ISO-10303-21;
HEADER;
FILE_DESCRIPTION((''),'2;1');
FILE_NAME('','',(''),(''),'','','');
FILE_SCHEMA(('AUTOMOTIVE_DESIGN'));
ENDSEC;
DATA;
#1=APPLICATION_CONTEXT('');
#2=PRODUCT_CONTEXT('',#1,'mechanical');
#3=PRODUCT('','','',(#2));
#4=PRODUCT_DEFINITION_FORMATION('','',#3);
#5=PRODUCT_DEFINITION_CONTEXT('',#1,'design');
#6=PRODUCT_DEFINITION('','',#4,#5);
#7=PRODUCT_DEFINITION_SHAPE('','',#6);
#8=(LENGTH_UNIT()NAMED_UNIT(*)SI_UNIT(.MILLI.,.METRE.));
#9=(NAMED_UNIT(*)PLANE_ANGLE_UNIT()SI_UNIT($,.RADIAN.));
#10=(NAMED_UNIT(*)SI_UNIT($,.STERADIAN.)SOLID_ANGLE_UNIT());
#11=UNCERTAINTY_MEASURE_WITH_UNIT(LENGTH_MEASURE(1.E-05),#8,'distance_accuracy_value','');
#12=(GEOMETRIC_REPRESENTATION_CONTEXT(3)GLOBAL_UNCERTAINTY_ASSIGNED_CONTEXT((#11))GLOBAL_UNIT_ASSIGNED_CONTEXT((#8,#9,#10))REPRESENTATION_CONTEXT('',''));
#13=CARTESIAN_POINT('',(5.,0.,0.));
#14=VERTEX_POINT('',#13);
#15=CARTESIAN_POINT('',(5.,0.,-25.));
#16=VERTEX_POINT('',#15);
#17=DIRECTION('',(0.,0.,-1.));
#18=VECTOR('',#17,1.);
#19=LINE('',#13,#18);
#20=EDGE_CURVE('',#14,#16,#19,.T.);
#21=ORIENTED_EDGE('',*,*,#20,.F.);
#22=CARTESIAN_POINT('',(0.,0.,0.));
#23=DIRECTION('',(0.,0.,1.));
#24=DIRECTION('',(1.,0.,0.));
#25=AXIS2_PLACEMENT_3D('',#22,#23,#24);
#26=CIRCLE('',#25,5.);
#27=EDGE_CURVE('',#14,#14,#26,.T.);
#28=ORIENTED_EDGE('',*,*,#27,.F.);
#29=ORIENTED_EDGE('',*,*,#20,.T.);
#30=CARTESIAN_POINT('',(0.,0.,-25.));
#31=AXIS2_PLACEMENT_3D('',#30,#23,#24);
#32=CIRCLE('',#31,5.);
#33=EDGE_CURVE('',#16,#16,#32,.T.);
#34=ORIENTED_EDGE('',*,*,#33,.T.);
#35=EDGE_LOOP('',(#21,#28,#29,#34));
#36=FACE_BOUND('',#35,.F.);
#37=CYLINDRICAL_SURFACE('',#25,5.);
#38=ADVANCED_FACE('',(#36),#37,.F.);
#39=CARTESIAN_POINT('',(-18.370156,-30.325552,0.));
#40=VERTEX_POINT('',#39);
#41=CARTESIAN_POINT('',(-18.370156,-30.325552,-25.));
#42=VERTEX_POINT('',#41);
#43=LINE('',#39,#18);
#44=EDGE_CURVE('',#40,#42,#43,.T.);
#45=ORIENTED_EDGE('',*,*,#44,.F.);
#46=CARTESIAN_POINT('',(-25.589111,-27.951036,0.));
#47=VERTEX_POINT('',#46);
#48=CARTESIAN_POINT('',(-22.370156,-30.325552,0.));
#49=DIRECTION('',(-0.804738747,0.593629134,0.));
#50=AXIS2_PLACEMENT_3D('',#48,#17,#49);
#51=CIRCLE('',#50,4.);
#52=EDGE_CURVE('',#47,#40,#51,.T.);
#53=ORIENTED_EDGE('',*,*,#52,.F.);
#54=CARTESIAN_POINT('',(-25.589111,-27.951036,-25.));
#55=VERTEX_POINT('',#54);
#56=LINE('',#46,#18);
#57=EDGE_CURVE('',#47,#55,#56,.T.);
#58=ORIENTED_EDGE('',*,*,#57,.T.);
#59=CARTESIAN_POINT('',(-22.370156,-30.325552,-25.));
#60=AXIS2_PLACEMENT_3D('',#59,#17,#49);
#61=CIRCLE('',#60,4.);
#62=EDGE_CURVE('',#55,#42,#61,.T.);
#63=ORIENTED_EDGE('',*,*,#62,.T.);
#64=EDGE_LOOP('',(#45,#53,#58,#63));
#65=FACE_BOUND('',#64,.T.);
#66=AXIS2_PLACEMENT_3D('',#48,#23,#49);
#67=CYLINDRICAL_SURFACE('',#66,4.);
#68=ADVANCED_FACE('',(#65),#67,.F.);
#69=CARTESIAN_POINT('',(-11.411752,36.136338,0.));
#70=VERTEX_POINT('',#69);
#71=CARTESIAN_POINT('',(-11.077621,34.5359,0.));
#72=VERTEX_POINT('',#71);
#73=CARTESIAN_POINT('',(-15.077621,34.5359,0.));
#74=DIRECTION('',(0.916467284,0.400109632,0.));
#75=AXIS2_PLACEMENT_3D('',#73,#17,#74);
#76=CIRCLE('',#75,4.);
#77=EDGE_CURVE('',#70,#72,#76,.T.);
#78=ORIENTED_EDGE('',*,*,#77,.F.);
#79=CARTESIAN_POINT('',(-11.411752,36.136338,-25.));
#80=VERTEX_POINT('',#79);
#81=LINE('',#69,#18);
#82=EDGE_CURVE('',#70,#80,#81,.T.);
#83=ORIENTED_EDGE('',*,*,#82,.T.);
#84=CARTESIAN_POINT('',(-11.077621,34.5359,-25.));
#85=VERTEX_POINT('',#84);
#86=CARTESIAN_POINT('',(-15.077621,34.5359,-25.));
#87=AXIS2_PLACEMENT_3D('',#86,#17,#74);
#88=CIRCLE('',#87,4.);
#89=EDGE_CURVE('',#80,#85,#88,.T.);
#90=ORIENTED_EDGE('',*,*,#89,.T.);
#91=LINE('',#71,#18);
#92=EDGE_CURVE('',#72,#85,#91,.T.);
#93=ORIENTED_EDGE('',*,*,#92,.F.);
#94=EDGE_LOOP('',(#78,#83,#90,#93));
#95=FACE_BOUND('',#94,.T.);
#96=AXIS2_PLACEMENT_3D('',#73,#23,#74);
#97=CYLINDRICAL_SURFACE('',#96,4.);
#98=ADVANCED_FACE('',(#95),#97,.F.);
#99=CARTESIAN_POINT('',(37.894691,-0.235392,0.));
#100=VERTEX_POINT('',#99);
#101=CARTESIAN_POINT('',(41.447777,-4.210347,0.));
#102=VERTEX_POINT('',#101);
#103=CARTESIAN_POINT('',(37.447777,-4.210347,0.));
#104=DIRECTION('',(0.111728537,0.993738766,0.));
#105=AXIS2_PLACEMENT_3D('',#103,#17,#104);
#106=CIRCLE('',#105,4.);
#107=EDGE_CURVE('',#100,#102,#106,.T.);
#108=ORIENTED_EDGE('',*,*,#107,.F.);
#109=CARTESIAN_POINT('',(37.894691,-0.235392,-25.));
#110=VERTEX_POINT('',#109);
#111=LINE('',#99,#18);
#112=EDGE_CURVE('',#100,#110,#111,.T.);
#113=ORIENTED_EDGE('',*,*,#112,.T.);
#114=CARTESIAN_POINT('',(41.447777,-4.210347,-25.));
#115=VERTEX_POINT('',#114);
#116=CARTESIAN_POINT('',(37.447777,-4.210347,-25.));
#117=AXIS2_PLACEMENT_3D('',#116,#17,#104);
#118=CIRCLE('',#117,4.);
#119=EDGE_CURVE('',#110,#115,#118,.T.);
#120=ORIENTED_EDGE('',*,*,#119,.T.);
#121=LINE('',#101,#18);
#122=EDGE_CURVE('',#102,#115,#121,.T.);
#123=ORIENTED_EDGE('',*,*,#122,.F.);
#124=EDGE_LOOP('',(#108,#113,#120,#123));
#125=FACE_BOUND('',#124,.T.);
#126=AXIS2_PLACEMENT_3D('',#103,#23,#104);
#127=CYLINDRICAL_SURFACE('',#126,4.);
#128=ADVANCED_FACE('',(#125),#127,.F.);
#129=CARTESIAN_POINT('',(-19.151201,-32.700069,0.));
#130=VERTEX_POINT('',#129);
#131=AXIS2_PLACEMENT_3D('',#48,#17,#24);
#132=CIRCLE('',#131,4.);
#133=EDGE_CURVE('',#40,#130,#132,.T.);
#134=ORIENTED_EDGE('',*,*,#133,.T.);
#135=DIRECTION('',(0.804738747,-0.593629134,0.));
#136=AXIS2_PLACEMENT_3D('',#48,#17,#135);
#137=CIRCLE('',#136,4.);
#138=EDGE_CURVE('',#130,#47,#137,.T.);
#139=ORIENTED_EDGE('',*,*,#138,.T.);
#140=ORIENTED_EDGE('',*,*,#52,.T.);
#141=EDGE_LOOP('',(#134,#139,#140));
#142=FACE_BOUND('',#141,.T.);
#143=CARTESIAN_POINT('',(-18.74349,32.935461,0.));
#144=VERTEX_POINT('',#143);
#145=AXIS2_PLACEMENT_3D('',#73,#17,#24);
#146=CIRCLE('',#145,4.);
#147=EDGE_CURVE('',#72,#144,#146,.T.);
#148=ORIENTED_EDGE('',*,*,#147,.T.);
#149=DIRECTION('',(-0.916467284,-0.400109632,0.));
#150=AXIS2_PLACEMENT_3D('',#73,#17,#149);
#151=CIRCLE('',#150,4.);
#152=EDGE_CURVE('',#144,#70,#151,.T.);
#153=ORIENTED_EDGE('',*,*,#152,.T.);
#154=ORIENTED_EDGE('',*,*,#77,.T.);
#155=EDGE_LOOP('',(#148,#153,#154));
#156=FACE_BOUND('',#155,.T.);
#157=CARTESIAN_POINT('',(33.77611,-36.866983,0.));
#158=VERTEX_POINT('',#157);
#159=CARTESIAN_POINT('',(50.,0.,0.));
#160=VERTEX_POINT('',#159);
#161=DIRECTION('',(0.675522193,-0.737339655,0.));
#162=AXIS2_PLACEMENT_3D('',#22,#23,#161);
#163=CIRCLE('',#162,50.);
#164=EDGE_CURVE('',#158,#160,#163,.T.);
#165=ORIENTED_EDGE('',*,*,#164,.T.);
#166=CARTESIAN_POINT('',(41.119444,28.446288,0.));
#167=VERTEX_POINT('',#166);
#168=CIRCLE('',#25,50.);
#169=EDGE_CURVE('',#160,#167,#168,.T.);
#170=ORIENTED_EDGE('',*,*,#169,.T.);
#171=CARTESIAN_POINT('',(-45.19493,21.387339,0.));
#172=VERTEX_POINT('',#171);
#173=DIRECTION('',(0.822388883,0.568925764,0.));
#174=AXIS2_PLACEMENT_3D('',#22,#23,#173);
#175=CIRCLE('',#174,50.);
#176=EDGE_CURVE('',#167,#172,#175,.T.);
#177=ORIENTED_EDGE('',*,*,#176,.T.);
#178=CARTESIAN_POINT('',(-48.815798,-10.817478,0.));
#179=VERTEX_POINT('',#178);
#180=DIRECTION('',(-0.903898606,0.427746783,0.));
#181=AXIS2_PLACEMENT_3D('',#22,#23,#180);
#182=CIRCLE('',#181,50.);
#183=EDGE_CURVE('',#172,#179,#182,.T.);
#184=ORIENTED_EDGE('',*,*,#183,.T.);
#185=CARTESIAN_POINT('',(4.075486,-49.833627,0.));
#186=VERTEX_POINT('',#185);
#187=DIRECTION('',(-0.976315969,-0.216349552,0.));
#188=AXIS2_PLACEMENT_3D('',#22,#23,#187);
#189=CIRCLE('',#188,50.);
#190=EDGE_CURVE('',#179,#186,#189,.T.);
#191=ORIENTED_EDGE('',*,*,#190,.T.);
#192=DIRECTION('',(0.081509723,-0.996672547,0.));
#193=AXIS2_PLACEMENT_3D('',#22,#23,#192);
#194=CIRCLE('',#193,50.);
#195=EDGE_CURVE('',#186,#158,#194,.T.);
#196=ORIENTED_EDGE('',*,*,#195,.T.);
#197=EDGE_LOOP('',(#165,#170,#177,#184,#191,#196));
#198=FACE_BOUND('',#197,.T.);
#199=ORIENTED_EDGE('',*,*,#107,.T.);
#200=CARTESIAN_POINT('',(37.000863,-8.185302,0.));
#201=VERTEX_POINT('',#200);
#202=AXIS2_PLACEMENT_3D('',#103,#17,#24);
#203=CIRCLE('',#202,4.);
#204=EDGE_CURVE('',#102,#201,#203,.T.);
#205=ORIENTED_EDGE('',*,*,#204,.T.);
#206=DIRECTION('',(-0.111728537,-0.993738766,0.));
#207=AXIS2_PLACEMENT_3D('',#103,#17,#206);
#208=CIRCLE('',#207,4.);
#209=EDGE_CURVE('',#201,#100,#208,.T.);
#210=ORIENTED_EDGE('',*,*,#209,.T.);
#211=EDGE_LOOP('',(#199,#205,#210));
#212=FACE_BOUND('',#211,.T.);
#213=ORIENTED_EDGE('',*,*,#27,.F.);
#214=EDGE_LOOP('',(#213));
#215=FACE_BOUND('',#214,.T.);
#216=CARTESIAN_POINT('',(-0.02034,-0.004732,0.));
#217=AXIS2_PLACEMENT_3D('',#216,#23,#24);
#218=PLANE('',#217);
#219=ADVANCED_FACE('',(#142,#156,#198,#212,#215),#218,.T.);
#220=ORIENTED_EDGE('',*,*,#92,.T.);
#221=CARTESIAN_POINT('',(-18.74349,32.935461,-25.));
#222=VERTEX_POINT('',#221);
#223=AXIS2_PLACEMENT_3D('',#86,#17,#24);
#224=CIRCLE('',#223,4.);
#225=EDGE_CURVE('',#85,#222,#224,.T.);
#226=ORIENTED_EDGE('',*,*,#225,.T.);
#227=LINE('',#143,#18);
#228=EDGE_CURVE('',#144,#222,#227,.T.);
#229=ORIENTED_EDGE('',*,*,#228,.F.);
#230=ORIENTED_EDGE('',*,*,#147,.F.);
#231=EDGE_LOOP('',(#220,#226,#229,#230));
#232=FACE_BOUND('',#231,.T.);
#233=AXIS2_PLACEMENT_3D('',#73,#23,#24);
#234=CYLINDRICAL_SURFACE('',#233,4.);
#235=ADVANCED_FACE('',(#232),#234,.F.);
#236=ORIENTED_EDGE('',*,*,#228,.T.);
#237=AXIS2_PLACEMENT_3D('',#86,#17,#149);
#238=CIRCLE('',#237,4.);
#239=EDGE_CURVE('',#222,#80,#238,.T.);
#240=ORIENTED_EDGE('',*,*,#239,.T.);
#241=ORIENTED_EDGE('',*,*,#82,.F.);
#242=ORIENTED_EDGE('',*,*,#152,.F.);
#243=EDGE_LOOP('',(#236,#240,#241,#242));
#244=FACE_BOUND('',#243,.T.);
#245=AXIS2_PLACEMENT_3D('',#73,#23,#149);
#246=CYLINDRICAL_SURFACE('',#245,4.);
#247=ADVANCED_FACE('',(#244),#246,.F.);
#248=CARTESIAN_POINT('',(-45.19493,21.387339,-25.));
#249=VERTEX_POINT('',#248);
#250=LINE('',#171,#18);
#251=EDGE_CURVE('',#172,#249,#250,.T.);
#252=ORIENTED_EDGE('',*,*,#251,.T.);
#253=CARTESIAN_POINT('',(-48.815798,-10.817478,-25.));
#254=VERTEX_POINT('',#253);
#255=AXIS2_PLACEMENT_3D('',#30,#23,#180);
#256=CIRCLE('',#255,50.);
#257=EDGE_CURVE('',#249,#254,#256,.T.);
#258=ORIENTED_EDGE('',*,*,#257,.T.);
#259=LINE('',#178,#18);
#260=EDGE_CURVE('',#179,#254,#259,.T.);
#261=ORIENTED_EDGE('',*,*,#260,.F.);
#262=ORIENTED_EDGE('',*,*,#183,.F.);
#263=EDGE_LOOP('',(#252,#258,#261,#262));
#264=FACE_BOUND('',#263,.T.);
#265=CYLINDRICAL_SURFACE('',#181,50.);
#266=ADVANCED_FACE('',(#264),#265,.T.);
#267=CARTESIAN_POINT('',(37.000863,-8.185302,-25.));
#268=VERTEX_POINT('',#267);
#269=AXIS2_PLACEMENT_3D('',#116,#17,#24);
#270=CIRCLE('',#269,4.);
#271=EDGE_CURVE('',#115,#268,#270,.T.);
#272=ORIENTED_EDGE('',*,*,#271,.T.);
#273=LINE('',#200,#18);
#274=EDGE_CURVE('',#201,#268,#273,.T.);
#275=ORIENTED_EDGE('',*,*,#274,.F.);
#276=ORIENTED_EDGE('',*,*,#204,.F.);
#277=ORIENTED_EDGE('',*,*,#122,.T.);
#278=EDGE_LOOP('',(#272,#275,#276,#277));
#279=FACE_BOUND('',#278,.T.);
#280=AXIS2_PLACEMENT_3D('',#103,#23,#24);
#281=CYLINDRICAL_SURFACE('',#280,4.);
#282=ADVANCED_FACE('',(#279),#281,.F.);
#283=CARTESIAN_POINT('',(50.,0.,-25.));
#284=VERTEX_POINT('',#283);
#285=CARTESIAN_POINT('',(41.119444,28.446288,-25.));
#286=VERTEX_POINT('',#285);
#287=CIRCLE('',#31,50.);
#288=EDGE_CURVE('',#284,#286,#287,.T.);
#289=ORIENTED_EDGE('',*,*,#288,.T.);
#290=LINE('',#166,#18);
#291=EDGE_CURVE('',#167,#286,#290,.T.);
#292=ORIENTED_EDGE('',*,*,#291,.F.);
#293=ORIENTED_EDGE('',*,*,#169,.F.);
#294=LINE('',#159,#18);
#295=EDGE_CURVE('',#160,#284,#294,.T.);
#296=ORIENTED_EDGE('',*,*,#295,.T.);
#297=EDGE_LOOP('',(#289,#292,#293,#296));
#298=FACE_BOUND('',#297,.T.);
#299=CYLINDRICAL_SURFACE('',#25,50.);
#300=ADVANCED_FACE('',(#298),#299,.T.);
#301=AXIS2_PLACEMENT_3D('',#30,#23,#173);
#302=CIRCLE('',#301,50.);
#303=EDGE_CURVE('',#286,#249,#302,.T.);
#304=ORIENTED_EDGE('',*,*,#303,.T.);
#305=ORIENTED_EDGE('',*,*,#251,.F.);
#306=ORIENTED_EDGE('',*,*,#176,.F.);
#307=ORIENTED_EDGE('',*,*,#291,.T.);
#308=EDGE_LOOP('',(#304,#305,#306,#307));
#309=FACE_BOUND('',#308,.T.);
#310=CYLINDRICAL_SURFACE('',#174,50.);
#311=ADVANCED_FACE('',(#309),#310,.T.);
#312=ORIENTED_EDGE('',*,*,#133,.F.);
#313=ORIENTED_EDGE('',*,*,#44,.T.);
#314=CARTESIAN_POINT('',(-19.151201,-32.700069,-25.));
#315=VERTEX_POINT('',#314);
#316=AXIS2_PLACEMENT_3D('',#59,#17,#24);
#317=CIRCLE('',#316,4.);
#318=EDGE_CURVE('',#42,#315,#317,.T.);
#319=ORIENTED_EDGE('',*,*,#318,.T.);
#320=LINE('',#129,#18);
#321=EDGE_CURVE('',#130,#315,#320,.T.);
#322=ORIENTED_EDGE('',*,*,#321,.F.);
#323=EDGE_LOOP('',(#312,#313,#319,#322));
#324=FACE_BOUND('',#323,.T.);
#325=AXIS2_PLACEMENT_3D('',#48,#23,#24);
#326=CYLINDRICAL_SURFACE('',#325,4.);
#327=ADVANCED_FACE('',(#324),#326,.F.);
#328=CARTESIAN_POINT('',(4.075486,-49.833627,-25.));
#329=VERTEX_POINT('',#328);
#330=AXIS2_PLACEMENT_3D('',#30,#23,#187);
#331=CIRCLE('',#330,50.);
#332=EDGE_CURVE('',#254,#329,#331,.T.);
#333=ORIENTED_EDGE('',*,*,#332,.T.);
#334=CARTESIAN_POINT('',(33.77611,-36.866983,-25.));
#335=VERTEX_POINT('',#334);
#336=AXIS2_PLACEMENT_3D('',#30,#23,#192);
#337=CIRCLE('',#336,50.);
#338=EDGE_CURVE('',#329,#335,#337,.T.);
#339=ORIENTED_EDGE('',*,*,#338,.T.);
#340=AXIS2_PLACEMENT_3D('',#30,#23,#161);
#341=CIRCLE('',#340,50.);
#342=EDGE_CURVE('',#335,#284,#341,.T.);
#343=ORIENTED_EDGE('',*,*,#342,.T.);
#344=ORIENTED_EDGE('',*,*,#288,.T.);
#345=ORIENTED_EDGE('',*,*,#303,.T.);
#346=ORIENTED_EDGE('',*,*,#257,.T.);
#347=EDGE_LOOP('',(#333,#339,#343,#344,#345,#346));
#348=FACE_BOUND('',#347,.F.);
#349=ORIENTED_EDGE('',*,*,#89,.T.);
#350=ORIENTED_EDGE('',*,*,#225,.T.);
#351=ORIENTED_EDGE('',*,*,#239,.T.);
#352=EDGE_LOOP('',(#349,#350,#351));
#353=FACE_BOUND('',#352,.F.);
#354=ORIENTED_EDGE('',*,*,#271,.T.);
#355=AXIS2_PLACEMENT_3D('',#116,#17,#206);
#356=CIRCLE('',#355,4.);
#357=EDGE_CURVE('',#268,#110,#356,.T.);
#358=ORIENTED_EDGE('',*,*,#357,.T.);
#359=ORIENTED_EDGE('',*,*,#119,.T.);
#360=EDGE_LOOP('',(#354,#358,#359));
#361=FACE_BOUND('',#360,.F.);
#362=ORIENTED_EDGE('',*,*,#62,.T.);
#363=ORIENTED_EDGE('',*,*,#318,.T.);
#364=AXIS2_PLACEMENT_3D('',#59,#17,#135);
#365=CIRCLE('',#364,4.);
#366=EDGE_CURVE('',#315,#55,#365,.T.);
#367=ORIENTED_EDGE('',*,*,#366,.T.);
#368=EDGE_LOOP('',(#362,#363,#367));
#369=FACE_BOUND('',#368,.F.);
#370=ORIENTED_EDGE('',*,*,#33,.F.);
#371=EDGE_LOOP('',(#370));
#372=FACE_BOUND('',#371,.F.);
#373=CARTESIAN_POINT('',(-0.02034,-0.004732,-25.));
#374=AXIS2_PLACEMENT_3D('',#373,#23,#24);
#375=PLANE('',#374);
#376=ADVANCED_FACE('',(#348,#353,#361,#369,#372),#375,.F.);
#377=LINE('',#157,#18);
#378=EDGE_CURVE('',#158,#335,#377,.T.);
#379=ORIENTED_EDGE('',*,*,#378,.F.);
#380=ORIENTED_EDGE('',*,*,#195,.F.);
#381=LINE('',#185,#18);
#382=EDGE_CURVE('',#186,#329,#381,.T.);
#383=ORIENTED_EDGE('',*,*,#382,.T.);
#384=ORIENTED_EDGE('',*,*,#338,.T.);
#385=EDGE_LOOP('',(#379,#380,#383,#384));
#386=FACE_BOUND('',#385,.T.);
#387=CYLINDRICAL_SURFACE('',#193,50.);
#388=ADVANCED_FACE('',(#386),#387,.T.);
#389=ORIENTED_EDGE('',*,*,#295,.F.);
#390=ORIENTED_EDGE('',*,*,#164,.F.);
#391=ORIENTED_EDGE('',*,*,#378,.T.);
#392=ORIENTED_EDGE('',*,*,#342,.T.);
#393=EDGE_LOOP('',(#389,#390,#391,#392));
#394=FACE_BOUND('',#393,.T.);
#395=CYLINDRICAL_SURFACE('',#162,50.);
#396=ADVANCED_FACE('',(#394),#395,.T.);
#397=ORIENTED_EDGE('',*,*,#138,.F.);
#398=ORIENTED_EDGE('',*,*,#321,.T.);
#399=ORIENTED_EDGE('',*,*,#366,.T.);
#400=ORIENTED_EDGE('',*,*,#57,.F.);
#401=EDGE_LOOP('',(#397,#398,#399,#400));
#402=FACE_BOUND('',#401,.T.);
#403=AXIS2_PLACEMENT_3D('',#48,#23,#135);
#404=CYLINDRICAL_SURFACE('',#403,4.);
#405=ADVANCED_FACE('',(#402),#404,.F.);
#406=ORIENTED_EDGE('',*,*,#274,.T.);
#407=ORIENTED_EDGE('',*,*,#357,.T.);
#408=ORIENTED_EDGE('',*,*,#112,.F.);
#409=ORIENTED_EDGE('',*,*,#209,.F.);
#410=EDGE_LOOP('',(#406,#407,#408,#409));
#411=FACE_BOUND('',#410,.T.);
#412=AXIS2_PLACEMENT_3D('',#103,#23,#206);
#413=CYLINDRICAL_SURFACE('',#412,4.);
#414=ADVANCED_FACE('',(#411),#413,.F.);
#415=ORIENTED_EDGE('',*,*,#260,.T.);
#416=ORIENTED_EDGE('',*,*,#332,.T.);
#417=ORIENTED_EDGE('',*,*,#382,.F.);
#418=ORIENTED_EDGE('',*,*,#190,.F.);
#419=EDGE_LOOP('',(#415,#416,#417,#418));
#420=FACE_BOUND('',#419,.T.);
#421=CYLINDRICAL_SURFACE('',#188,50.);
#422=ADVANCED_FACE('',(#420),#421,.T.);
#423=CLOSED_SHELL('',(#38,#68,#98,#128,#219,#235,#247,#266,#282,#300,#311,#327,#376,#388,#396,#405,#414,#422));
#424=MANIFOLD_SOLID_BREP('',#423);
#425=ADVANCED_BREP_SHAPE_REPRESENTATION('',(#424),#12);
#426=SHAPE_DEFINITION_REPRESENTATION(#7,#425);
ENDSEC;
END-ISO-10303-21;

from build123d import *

# Parameters (mm, degrees)
F1_DEPTH = 25
F2_R     = 5
F3_DEPTH = 40.9


with BuildPart() as f1:
    # F0 (on Top) → F1 (new body)
    with BuildSketch(Plane.XY):
        with BuildLine():
            Line((37.8946910522, -0.2353922235), (41.1194441676, 28.4462881822))
            ThreePointArc((41.1194441676, 28.4462881822), (29.6814566909, 40.2369373674), (15.0396888036, 47.6844603691))
            Line((15.0396888036, 47.6844603691), (-11.4117516088, 36.1363382852))
            ThreePointArc((-11.4117516088, 36.1363382852), (-11.1620443795, 35.3533725274), (-11.0776207447, 34.5358997583))
            ThreePointArc((-11.0776207447, 34.5358997583), (-14.2601479757, 30.6203233931), (-18.7434898807, 32.9354612315))
            Line((-18.7434898807, 32.9354612315), (-45.194930293, 21.3873391476))
            ThreePointArc((-45.194930293, 21.3873391476), (-49.6869382761, 5.5864268319), (-48.8157984472, -10.8174776157))
            Line((-48.8157984472, -10.8174776157), (-25.5891111503, -27.9510359374))
            ThreePointArc((-25.5891111503, -27.9510359374), (-21.1203201632, -26.5258274855), (-18.3701561609, -30.3255524727))
            ThreePointArc((-18.3701561609, -30.3255524727), (-18.5704311737, -31.5753884704), (-19.1512011715, -32.700069008))
            Line((-19.1512011715, -32.700069008), (4.0754861253, -49.8336273298))
            ThreePointArc((4.0754861253, -49.8336273298), (20.0054815852, -45.8233641993), (33.7761096436, -36.8669827534))
            Line((33.7761096436, -36.8669827534), (37.0008627591, -8.1853023477))
            ThreePointArc((37.0008627591, -8.1853023477), (33.4728218435, -3.7634331391), (37.8946910522, -0.2353922235))
        make_face()
        with BuildLine():
            Line((-11.4117516088, 36.1363382852), (15.0396888036, 47.6844603691))
            ThreePointArc((15.0396888036, 47.6844603691), (-20.0054815852, 45.8233641993), (-45.194930293, 21.3873391476))
            Line((-45.194930293, 21.3873391476), (-18.7434898807, 32.9354612315))
            ThreePointArc((-18.7434898807, 32.9354612315), (-16.6780592715, 38.2017688943), (-11.4117516088, 36.1363382852))
        make_face()
        with BuildLine():
            ThreePointArc((33.7761096436, -36.8669827534), (45.7646450996, -20.1394453476), (50, 0))
            ThreePointArc((50, 0), (47.7282526832, 14.9001307313), (41.1194441676, 28.4462881822))
            Line((41.1194441676, 28.4462881822), (37.8946910522, -0.2353922235))
            ThreePointArc((37.8946910522, -0.2353922235), (40.4300291239, -1.5446069181), (41.4477769056, -4.2103472856))
            ThreePointArc((41.4477769056, -4.2103472856), (40.1135172731, -7.1925995039), (37.0008627591, -8.1853023477))
            Line((37.0008627591, -8.1853023477), (33.7761096436, -36.8669827534))
        make_face()
        with BuildLine():
            ThreePointArc((-48.8157984472, -10.8174776157), (-29.6814566909, -40.2369373674), (4.0754861253, -49.8336273298))
            Line((4.0754861253, -49.8336273298), (-19.1512011715, -32.700069008))
            ThreePointArc((-19.1512011715, -32.700069008), (-24.7446726962, -33.5445074621), (-25.5891111503, -27.9510359374))
            Line((-25.5891111503, -27.9510359374), (-48.8157984472, -10.8174776157))
        make_face()
    extrude(amount=-F1_DEPTH)

    # F2 (on face) → F3 (cut)
    with BuildSketch(Plane.XY):
        Circle(F2_R)
    extrude(amount=-F3_DEPTH, mode=Mode.SUBTRACT)


solid = f1.part
